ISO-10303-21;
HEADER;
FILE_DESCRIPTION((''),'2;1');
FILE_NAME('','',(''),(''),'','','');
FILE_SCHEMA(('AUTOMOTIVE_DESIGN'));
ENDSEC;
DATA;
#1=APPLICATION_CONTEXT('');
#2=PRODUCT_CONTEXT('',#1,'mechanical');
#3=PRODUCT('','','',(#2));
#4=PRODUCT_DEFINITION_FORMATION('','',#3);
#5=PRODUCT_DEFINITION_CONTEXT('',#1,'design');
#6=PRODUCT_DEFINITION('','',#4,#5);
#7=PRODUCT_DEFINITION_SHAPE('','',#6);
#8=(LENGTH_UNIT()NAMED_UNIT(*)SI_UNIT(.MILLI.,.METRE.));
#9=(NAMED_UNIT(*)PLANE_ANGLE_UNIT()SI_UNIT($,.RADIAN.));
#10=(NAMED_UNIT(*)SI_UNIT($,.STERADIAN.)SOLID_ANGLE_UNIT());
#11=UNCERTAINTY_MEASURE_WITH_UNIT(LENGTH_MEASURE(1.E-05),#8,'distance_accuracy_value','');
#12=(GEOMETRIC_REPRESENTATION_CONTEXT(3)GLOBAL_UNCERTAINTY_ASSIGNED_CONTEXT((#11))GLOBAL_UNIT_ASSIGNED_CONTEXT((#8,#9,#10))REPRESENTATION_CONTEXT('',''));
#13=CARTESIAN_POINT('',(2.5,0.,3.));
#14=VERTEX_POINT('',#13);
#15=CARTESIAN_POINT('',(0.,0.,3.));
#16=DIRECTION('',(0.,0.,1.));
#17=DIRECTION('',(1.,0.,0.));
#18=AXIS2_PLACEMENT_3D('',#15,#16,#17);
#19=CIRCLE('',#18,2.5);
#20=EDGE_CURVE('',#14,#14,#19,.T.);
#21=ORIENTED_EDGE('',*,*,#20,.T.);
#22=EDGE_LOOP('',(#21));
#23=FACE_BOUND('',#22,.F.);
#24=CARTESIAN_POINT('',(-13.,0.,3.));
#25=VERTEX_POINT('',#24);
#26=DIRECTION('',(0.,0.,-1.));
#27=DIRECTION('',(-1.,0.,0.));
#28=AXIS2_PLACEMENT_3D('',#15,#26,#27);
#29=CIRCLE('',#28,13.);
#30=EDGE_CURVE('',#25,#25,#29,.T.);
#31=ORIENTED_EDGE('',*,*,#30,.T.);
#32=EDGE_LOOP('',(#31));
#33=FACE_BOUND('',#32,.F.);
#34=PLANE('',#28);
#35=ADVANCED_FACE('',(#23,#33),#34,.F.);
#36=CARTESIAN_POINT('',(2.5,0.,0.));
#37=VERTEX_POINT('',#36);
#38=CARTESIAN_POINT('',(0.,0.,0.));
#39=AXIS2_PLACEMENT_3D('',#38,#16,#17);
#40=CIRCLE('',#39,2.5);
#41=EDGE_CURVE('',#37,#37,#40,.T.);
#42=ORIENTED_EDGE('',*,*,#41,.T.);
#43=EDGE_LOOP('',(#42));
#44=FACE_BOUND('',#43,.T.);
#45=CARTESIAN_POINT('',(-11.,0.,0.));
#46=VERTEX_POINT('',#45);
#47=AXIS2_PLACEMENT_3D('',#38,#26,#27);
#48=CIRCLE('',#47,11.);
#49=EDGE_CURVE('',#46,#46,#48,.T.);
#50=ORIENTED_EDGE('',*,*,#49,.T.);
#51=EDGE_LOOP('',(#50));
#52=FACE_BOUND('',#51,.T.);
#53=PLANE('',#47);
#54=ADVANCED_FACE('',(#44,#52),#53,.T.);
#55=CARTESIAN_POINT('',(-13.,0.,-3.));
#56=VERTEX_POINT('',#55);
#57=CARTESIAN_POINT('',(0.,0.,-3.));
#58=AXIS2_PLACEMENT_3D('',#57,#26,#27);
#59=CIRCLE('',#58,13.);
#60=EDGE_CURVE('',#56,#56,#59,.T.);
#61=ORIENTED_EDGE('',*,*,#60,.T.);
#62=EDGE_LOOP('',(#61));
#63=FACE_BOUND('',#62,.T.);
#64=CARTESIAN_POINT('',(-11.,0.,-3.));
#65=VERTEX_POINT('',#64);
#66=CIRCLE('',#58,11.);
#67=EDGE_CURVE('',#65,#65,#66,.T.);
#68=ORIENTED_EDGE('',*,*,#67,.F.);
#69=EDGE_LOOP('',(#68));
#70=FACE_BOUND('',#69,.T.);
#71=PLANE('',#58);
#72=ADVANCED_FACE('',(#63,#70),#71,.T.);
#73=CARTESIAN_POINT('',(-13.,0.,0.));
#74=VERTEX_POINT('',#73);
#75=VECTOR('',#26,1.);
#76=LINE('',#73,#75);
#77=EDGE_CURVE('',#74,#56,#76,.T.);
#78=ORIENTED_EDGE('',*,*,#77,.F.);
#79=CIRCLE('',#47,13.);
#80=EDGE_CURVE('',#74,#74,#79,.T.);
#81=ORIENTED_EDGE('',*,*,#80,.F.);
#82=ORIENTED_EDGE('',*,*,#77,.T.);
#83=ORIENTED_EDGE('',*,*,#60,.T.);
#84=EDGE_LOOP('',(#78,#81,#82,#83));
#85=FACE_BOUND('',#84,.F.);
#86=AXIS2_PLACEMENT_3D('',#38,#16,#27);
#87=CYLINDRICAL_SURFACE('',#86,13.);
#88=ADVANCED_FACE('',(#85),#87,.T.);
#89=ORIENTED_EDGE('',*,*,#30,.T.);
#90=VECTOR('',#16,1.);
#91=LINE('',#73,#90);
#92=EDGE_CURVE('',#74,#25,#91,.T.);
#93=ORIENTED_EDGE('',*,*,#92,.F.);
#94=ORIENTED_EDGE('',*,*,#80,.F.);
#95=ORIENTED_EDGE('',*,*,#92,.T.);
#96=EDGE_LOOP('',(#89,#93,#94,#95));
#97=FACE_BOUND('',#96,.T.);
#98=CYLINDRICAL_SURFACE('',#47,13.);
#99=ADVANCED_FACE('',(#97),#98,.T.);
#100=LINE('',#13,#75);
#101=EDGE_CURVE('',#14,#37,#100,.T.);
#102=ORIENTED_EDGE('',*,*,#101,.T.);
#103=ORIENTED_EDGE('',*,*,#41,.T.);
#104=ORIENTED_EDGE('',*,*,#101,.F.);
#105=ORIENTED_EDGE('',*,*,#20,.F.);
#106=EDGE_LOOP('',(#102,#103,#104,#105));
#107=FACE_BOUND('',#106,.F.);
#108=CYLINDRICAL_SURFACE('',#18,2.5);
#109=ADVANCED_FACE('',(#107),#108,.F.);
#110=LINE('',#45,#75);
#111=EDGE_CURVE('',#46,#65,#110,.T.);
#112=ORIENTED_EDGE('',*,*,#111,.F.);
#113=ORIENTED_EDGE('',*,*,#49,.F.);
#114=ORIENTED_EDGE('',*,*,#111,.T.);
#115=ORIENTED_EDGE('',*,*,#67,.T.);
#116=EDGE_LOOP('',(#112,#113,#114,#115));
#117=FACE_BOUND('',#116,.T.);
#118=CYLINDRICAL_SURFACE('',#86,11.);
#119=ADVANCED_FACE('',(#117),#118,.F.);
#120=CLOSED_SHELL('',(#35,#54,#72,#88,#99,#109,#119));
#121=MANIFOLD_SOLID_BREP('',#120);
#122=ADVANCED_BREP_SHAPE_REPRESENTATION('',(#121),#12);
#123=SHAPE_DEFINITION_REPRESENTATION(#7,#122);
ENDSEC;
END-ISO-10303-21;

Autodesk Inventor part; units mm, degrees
ref_plane "YZ Plane" through (0, 0, 0) normal (1, 0, 0) x (0, 1, 0)
ref_plane "XZ Plane" through (0, 0, 0) normal (0, 1, 0) x (-1, 0, 0)
ref_plane "XY Plane" through (0, 0, 0) normal (0, 0, 1) x (1, 0, 0)
sketch "Sketch1" plane through (0, 0, 0) normal (0, 0, 1) x (1, 0, 0)
  circle A0 centre (0, 0) radius 10.75 projected
  point P0 (0, 0)
extrude "Extrusion1" add sketch "Sketch1" along normal blind 3
sketch "Sketch2" plane through (0, 0, 3) normal (0, 0, 1) x (1, 0, 0)
  circle A0 centre (0, 0) radius 10.75 projected
  circle A1 centre (0, 0) radius 2.5
  dimension "d2" = 5
extrude "Extrusion2" cut sketch "Sketch2" against normal blind 3 contours A1
sketch "Sketch3" plane through (0, 0, 0) normal (0, 0, -1) x (-1, 0, 0)
  circle A0 centre (0, 0) radius 10.75 projected
  circle A1 centre (0, 0) radius 13
  dimension "d5" = 26
extrude "Extrusion3" add sketch "Sketch3" against normal up to surface (3 mm away)
sketch "Sketch4" plane through (0, 0, 0) normal (0, 0, -1) x (-1, 0, 0)
  circle A0 centre (0, 0) radius 13 projected
  circle A1 centre (0, 0) radius 2.5 projected
  circle A2 centre (0, 0) radius 11
  dimension "d8" = 22
extrude "Extrusion4" add sketch "Sketch4" along normal blind 3 contours A0
properties part number "HubCover"
